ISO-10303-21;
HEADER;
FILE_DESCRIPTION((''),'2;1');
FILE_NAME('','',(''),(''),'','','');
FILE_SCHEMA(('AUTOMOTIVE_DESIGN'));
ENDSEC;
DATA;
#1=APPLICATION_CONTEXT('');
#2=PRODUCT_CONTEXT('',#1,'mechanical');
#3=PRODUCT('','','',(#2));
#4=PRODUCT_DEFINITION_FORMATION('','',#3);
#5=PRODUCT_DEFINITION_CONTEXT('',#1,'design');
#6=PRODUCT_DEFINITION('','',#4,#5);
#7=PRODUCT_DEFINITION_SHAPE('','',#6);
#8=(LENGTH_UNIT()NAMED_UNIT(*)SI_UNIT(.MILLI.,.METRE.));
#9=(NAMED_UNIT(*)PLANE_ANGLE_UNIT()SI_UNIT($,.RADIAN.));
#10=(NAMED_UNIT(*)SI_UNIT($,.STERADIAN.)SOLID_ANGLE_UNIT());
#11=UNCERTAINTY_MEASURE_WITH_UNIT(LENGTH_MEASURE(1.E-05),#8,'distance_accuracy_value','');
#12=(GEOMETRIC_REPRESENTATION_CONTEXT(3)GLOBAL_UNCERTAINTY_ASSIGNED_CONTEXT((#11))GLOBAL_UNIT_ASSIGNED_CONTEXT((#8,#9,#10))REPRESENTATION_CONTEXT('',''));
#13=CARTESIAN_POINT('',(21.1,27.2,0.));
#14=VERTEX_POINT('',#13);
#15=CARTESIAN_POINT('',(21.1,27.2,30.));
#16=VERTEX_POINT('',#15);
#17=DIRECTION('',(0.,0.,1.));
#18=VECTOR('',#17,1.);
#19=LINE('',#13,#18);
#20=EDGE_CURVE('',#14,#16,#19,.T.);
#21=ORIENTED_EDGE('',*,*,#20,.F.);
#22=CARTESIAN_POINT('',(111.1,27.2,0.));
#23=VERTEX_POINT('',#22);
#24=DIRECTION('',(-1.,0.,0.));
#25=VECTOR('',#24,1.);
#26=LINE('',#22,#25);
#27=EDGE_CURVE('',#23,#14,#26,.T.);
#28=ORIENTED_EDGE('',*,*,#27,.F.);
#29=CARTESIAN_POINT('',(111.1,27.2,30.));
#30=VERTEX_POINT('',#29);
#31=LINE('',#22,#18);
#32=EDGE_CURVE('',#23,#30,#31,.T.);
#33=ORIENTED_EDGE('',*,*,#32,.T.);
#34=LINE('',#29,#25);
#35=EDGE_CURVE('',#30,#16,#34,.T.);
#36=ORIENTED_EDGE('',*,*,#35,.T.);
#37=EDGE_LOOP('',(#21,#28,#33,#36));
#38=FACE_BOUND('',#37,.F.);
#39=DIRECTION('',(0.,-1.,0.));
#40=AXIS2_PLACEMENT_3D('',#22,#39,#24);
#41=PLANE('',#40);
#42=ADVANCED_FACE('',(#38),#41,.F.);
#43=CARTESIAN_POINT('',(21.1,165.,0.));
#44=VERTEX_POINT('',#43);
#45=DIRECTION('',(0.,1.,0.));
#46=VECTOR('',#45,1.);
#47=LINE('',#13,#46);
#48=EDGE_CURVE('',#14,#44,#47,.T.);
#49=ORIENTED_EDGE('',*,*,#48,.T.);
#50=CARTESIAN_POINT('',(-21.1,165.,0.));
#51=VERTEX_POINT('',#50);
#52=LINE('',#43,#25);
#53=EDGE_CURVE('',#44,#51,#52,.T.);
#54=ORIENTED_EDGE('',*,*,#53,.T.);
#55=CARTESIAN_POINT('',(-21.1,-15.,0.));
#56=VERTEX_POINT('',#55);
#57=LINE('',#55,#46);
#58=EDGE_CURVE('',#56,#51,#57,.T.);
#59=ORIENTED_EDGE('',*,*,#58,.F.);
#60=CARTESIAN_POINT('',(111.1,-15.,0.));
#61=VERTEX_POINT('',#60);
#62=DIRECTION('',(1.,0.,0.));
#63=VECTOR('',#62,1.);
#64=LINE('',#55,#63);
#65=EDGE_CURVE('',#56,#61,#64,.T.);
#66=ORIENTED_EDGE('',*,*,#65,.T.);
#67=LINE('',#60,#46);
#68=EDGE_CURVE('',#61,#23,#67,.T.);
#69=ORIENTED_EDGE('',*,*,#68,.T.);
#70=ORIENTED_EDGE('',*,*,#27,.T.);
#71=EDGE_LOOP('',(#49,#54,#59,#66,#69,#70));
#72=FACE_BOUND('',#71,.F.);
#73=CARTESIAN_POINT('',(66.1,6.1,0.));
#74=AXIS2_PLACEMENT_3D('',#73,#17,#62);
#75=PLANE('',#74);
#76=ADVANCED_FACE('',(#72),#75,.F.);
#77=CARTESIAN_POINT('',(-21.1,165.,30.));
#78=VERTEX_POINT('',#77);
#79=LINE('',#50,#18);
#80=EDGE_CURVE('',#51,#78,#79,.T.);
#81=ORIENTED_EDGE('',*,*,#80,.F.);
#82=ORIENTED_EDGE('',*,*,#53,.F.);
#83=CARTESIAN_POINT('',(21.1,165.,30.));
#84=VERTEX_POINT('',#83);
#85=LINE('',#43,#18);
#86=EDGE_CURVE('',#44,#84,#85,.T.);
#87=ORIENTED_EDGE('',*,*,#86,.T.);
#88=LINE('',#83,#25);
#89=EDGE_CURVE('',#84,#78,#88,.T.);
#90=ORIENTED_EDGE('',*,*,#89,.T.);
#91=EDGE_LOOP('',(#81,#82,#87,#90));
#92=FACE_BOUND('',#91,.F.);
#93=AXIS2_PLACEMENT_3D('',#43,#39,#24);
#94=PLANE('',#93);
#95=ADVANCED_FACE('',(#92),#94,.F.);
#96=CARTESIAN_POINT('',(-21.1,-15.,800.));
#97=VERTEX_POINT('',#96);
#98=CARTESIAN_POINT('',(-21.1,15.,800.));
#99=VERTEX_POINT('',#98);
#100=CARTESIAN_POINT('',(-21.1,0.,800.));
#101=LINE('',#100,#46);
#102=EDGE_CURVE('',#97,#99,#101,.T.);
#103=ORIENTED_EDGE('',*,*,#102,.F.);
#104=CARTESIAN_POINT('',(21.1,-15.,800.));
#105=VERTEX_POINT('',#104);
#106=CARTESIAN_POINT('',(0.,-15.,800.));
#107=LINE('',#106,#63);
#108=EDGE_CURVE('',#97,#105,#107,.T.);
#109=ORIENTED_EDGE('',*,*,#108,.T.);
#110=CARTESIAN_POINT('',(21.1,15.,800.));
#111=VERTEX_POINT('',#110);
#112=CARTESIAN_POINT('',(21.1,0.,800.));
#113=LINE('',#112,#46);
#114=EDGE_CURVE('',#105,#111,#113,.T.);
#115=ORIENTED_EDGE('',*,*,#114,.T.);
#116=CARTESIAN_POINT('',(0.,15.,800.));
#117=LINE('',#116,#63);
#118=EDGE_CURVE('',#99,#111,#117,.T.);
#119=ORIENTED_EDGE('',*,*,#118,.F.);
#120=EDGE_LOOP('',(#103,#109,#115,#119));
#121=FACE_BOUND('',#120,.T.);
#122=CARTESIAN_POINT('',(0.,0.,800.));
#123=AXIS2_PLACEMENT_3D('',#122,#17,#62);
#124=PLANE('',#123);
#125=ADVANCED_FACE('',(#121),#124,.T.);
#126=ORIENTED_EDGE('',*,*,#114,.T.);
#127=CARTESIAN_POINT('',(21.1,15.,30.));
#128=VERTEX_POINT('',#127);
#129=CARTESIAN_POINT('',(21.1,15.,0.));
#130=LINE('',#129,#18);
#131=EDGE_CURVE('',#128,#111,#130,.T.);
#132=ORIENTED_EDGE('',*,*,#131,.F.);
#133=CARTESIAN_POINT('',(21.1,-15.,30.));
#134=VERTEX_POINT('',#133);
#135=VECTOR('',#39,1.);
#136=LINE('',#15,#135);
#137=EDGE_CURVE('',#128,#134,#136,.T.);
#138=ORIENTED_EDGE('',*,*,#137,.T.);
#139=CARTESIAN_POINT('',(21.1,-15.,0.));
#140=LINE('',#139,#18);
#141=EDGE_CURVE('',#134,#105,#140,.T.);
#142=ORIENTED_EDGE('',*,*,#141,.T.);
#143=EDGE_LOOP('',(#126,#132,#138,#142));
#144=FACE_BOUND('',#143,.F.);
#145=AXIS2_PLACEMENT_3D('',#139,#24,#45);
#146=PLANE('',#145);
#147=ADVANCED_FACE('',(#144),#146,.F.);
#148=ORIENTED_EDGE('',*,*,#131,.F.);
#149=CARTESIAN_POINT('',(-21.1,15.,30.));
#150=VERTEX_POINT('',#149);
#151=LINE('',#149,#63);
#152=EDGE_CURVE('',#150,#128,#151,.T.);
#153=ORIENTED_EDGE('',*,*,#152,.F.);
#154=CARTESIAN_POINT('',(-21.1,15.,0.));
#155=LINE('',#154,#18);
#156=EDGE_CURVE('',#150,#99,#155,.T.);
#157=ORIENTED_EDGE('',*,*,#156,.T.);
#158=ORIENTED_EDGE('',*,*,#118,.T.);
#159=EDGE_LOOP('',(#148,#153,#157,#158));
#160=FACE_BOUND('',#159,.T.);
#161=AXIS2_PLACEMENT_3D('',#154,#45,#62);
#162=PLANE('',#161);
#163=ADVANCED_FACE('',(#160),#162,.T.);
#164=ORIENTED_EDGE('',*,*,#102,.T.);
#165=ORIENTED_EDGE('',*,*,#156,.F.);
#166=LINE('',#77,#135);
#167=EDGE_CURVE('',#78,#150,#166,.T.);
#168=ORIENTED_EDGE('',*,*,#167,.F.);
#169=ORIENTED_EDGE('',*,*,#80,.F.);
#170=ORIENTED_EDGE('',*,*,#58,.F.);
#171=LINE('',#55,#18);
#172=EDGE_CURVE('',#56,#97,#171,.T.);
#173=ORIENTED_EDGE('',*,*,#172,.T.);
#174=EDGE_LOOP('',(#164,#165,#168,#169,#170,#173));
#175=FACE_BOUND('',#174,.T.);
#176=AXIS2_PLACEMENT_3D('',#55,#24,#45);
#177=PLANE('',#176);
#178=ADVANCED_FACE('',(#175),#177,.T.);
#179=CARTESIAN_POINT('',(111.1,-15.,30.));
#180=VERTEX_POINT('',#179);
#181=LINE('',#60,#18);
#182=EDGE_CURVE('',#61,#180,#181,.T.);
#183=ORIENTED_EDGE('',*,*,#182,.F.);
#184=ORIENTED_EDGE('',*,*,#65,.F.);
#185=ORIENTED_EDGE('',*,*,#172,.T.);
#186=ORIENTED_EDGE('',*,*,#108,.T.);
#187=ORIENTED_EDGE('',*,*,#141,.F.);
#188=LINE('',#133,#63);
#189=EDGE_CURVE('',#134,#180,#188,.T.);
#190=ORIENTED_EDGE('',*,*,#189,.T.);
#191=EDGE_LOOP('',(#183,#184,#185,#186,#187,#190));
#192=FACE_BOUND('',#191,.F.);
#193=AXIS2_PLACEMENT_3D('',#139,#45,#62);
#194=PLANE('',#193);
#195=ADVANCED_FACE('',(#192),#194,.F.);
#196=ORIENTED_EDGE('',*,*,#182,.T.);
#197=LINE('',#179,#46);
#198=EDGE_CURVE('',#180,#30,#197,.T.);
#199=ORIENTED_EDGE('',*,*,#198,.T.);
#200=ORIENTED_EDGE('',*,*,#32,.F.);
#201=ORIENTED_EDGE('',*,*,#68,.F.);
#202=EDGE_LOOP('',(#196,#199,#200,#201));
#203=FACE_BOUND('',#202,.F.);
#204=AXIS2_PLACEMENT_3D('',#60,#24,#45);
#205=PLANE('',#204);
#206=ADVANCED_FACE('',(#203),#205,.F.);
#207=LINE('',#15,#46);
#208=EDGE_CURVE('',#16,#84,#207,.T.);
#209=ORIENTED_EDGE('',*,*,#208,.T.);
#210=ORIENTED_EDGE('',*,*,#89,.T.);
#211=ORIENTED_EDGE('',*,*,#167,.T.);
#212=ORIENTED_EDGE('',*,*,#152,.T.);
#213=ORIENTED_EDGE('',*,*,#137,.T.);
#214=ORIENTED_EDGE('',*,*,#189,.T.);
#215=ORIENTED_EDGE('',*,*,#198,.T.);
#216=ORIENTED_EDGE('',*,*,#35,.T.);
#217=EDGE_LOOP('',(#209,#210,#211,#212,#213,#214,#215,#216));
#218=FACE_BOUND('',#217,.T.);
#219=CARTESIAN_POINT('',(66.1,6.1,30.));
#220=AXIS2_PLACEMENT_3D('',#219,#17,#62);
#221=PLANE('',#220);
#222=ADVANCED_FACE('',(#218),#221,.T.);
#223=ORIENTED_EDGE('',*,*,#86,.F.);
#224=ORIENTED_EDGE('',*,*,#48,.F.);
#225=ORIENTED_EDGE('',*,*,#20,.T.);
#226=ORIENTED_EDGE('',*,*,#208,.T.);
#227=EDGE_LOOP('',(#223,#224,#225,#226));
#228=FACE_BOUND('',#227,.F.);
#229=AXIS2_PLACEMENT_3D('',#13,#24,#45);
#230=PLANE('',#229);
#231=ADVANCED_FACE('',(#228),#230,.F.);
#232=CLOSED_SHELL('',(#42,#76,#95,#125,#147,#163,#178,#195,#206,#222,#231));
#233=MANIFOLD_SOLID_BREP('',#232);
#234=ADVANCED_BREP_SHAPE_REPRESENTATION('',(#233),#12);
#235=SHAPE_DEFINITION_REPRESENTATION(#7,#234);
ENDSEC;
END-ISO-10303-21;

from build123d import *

# Parameters (mm, degrees)
F0_W     = 42.2
F0_H     = 30
F1_DEPTH = 800
F2_DEPTH = 30


with BuildPart() as f1:
    # F0 (on Top) → F1 (new body)
    with BuildSketch(Plane.XY):
        Rectangle(F0_W, F0_H)
    extrude(amount=F1_DEPTH)

    # F0 (on Top) → F2 (join)
    with BuildSketch(Plane.XY):
        Polygon((21.1, 15), (21.1, -15), (111.1, -15), (111.1, 27.2), (21.1, 27.2), align=None)
        Polygon((-21.1, 15), (21.1, 15), (21.1, 27.2), (21.1, 165), (-21.1, 165), align=None)
    extrude(amount=F2_DEPTH)


solid = f1.part
